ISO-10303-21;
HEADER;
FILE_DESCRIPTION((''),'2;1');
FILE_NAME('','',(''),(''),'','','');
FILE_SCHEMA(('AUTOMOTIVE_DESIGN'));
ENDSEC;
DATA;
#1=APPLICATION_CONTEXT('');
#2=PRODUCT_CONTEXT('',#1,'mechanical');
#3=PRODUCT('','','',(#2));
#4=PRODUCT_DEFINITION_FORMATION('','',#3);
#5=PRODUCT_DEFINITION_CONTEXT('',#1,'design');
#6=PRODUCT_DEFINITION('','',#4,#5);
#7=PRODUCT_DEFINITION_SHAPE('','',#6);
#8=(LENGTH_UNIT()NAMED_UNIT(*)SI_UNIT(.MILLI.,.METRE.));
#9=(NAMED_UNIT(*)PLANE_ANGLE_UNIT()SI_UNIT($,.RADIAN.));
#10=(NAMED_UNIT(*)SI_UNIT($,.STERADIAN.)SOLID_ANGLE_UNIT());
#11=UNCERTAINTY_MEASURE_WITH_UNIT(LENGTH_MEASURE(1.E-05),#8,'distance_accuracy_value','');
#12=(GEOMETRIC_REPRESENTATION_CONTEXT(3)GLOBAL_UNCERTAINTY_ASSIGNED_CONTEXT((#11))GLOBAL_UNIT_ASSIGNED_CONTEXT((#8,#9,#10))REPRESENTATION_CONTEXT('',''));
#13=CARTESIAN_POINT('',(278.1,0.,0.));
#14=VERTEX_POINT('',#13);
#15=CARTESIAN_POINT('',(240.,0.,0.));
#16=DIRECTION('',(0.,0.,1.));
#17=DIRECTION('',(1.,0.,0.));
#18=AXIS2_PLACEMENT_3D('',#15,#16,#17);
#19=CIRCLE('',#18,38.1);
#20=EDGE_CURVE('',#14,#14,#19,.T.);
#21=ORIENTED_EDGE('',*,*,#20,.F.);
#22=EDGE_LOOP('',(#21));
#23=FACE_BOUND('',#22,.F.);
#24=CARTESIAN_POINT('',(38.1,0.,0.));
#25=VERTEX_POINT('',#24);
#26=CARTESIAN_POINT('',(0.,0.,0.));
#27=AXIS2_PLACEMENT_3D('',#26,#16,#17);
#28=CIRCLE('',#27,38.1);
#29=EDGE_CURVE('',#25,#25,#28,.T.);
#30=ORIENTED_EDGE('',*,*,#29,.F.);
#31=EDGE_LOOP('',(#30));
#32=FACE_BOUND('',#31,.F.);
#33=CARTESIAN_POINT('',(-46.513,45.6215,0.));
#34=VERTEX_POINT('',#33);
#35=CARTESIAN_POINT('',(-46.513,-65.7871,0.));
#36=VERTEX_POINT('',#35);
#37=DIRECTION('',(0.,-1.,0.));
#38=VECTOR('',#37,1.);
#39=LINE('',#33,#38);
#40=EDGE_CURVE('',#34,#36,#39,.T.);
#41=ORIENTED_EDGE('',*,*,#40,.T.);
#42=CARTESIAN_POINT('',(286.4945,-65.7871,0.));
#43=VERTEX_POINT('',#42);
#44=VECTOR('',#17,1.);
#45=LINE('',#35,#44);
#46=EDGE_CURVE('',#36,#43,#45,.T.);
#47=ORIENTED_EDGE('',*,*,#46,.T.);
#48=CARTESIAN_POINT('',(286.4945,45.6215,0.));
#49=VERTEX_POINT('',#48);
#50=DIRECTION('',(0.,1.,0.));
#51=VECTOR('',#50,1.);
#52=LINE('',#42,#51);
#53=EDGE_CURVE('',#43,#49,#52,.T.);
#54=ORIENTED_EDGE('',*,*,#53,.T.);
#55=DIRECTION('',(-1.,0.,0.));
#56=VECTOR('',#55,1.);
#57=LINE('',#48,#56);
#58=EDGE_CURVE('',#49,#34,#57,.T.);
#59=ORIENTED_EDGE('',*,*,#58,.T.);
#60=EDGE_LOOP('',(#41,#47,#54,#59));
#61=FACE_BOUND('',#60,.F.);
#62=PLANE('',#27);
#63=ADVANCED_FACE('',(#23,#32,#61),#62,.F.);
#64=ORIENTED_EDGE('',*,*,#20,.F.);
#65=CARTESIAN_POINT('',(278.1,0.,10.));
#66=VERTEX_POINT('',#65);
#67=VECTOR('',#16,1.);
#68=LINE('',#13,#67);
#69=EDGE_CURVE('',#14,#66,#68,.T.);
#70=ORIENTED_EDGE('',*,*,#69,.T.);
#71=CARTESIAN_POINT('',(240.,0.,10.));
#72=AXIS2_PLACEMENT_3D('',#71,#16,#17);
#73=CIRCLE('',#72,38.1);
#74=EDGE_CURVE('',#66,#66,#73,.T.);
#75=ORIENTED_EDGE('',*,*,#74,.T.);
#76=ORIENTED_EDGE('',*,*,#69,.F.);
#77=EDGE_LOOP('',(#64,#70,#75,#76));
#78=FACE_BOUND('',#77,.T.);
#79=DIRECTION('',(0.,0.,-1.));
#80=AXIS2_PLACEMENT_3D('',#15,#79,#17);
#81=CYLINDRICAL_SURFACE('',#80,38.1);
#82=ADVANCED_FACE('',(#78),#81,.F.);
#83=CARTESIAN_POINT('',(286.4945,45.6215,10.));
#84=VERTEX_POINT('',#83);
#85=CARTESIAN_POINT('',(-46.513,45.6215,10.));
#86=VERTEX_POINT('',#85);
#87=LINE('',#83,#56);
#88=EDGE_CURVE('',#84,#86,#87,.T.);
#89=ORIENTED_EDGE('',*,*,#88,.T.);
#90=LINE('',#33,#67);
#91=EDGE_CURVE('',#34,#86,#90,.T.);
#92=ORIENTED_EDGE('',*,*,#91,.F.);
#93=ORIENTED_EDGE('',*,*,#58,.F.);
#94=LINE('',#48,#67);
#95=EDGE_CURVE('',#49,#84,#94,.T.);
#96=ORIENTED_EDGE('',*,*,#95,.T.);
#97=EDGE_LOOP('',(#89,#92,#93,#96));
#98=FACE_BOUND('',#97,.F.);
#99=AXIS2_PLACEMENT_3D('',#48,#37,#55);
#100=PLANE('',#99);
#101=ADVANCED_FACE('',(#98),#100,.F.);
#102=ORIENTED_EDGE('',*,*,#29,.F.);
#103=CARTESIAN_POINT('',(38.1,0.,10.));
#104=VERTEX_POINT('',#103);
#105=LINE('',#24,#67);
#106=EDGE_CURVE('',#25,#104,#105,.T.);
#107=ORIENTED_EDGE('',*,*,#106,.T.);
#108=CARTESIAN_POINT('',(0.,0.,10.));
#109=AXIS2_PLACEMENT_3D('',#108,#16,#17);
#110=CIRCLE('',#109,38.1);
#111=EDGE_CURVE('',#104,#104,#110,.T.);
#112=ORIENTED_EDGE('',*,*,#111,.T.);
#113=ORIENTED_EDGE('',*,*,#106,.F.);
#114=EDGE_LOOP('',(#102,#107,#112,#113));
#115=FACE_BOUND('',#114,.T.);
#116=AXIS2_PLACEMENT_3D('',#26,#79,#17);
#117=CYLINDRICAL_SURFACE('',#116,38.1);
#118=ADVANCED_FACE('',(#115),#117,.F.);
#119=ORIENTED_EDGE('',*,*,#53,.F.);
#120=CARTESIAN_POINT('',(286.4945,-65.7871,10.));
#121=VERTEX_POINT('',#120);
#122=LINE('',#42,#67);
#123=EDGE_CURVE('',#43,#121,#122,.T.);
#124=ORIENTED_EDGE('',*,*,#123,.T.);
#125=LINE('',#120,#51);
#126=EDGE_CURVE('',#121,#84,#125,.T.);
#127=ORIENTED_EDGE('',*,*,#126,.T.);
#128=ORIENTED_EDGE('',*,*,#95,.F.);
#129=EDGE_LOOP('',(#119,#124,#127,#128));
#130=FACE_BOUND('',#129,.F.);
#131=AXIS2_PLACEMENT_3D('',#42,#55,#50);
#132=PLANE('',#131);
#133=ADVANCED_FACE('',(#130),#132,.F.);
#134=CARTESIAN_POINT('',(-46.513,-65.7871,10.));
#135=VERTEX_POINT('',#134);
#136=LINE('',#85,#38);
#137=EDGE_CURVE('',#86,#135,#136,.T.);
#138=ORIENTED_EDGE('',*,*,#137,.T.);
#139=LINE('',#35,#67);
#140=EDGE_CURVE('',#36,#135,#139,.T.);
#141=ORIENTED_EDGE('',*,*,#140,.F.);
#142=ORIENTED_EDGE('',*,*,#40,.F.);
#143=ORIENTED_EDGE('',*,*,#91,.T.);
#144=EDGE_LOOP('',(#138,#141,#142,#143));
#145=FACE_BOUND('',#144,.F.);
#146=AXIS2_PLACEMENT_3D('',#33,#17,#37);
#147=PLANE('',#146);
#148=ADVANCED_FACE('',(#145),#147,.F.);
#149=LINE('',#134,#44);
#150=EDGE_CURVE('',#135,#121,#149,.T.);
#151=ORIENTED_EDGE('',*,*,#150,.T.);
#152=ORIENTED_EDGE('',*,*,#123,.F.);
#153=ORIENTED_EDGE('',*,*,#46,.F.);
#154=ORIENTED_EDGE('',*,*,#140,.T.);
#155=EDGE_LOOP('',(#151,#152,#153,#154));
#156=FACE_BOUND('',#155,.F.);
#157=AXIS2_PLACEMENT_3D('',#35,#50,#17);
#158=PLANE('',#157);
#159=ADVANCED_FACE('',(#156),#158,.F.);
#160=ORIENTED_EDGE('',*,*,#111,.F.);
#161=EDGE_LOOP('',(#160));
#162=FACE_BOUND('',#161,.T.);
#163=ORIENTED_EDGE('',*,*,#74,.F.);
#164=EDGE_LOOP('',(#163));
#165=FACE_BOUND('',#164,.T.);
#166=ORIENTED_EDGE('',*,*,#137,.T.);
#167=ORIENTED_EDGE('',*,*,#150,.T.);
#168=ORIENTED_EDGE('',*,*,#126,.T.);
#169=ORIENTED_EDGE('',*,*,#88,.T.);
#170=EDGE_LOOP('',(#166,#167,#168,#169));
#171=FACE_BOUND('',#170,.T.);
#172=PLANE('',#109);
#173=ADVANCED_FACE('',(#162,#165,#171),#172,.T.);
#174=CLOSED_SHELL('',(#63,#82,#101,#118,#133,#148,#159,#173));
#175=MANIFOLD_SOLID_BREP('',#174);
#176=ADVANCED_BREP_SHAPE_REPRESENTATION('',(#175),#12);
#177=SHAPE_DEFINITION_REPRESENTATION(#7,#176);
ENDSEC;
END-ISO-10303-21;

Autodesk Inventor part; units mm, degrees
ref_plane "YZ Plane" through (0, 0, 0) normal (1, 0, 0) x (0, 1, 0)
ref_plane "XZ Plane" through (0, 0, 0) normal (0, 1, 0) x (-1, 0, 0)
ref_plane "XY Plane" through (0, 0, 0) normal (0, 0, 1) x (1, 0, 0)
sketch "Sketch1" plane through (0, 0, 0) normal (0, 0, 1) x (1, 0, 0)
  circle A0 centre (0, 0) radius 38.1
  circle A1 centre (240, 0) radius 38.1
  line L0 (-46.513, -65.7871) -> (286.4945, -65.7871)
  line L1 (286.4945, -65.7871) -> (286.4945, 45.6215)
  line L2 (286.4945, 45.6215) -> (-46.513, 45.6215)
  line L3 (-46.513, 45.6215) -> (-46.513, -65.7871)
  dimension "d0" = 76.2
  dimension "d1" = 76.2
  dimension "d2" = 240
extrude "Extrusion1" add sketch "Sketch1" along normal blind 10
properties part number "vaz"
